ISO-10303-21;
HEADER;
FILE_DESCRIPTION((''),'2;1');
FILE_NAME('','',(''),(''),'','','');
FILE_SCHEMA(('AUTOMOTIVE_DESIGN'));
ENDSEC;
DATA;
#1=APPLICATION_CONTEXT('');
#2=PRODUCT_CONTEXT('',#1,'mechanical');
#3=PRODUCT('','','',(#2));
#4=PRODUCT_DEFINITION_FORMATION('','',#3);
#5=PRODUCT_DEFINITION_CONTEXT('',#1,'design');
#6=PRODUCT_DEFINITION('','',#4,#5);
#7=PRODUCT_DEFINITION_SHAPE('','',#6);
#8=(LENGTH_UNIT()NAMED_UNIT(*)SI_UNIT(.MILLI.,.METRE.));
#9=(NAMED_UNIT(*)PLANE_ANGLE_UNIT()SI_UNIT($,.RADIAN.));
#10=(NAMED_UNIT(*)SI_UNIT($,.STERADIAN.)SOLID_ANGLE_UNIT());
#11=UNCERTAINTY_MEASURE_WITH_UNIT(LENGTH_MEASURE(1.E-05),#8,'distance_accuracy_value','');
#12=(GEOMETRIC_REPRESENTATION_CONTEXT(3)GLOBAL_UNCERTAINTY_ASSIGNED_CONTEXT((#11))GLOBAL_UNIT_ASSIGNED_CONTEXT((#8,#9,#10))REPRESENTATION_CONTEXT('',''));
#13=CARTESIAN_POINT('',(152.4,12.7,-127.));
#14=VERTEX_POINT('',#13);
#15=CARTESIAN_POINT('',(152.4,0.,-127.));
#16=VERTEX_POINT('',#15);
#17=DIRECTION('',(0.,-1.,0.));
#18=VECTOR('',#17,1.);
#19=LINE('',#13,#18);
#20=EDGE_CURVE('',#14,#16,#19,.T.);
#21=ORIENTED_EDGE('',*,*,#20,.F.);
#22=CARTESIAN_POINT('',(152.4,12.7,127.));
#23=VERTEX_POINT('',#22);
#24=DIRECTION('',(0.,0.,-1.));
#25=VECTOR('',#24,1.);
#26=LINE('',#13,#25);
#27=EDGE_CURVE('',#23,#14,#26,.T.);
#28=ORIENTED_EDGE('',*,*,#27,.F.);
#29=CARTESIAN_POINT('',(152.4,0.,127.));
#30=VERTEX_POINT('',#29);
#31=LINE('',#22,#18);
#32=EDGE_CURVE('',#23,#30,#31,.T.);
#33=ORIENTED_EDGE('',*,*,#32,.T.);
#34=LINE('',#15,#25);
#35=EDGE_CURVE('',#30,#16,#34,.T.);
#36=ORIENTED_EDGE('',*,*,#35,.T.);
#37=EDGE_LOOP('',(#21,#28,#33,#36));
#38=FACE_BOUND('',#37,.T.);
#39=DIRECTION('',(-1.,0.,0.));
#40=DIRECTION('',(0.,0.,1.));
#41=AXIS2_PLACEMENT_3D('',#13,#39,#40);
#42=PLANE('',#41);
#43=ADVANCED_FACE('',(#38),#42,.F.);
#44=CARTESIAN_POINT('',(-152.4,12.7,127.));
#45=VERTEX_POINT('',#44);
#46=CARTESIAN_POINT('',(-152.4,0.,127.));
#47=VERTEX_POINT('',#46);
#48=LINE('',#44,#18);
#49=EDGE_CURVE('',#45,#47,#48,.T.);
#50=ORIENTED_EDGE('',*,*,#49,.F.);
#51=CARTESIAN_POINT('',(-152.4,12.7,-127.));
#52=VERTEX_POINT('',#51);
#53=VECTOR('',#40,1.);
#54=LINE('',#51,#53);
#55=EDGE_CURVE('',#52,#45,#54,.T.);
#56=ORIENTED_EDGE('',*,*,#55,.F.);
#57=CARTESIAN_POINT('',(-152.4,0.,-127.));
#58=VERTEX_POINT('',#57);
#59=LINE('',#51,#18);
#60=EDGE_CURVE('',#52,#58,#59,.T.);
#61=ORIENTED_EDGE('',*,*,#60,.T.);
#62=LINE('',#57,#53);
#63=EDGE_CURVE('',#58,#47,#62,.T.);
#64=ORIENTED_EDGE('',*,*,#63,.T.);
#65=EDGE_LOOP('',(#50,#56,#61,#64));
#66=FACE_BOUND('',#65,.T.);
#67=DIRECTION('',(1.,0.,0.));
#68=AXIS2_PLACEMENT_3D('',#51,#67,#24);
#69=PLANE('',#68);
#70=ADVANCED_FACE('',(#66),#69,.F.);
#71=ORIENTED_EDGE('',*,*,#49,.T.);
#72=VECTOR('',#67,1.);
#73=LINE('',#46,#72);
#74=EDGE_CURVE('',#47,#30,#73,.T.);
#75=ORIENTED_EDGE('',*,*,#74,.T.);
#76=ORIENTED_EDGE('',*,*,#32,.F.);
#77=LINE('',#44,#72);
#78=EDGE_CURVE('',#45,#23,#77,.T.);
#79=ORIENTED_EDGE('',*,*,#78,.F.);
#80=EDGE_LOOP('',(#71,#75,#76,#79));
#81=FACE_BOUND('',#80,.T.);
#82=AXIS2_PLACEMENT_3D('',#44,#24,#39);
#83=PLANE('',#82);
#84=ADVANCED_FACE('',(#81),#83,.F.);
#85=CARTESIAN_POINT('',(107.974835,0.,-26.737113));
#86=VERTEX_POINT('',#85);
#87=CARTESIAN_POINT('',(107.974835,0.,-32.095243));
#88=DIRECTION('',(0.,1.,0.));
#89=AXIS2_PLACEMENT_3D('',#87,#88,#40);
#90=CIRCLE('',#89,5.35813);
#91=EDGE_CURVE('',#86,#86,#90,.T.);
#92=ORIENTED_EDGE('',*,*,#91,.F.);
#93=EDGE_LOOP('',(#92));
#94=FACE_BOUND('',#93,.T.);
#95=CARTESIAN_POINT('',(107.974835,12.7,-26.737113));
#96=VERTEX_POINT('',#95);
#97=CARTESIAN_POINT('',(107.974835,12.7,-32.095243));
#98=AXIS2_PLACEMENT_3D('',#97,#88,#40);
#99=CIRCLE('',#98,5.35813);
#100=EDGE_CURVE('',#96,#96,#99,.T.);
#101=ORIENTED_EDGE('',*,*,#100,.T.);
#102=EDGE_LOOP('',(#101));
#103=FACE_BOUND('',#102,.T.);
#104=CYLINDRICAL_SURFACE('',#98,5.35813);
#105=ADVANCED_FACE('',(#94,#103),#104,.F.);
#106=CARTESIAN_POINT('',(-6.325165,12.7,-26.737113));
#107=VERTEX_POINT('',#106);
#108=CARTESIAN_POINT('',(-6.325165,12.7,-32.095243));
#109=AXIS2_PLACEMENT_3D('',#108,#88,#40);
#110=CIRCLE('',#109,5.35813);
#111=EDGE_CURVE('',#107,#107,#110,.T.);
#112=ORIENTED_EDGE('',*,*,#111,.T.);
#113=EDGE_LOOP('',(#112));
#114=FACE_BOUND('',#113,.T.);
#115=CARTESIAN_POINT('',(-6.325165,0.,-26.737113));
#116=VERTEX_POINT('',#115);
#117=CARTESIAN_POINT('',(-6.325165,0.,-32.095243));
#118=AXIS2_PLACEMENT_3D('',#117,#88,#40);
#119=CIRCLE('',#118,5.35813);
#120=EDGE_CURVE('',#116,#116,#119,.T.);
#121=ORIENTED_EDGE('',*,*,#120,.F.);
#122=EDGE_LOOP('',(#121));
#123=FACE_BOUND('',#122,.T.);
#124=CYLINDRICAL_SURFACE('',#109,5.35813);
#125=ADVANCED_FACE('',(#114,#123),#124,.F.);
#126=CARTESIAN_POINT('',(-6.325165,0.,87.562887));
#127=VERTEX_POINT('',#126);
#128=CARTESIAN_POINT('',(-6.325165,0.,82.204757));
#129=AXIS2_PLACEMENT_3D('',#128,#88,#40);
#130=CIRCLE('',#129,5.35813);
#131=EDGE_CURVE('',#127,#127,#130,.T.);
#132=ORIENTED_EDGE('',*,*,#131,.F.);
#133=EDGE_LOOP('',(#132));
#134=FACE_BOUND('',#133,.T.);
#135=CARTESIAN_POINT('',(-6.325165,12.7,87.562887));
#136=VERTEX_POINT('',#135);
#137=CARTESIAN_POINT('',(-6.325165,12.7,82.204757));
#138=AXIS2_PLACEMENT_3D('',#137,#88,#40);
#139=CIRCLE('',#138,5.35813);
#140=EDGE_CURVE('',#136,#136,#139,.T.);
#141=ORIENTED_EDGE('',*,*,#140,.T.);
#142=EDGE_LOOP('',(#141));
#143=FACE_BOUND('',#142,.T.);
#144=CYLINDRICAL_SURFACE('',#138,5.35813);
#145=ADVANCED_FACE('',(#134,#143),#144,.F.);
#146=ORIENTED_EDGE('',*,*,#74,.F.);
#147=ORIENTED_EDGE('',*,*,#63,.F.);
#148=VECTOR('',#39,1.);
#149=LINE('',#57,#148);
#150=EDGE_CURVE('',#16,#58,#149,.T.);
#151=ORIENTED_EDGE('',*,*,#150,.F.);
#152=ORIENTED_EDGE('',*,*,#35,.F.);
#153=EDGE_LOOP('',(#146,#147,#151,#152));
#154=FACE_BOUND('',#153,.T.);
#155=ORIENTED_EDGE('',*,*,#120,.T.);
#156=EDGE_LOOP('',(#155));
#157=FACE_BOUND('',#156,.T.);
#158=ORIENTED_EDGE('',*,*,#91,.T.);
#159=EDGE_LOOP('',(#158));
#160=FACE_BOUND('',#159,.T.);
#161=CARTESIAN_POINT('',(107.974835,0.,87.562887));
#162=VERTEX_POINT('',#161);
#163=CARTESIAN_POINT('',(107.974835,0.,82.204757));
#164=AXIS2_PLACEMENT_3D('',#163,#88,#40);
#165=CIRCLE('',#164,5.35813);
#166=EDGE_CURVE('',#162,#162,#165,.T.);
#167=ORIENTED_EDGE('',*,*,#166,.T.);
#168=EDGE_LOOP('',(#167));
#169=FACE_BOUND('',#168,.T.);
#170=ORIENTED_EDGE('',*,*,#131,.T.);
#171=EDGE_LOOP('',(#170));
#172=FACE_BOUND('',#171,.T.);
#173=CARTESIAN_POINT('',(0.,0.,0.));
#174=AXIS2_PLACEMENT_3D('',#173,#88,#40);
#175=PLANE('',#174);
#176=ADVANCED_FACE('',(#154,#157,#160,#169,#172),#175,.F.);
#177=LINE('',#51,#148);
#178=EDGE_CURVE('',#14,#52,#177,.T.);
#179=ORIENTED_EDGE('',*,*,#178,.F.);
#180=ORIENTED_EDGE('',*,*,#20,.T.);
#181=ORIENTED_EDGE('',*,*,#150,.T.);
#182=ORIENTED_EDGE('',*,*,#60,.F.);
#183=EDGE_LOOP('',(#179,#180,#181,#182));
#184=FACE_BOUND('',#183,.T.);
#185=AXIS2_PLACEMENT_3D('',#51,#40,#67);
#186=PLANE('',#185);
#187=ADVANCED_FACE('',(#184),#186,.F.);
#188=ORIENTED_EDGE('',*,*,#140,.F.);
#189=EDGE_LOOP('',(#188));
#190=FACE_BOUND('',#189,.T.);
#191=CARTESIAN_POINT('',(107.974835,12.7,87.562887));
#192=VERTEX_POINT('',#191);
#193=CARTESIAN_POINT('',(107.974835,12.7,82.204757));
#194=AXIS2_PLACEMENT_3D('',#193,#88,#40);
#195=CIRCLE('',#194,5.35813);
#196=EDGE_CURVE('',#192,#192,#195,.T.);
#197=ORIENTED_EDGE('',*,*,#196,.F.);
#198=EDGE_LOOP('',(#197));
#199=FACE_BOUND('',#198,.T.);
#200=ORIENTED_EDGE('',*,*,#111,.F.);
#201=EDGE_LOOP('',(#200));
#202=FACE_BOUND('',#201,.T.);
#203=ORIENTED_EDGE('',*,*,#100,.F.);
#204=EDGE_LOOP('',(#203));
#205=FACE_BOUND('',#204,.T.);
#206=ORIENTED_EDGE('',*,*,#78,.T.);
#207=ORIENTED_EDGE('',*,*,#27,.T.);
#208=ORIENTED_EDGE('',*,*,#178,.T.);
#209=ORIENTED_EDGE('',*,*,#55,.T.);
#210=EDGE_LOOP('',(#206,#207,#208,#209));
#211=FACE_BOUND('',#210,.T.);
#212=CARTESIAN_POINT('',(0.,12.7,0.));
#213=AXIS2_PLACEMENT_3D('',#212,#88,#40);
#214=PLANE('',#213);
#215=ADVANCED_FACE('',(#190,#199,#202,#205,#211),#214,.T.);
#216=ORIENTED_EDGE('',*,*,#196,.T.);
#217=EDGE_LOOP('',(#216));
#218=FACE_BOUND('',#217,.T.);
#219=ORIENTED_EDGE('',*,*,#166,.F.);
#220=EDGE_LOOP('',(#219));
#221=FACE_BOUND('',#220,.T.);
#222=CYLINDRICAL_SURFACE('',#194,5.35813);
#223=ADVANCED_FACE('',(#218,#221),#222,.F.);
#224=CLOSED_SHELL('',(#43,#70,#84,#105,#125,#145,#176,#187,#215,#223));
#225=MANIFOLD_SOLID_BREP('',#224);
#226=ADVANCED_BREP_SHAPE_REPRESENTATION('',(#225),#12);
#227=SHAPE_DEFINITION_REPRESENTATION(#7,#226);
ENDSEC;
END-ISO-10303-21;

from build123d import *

# Parameters (mm, degrees)
SKETCH1_W               = 304.8
SKETCH1_H               = 254
BOSS_EXTRUDE1_DEPTH     = 12.7
F_1_2_13_TAPPED_HOLE1_D = 10.71626


with BuildPart() as part:
    # Sketch1 → Boss-Extrude1 (new body)
    with BuildSketch(Plane(origin=(0, 0, 0), x_dir=(1, 0, 0), z_dir=(0, 1, 0))):
        Rectangle(SKETCH1_W, SKETCH1_H)
    extrude(amount=BOSS_EXTRUDE1_DEPTH)

    # 1/2-13 Tapped Hole1 (through all)
    with Locations(Plane(origin=(0, 12.7, 0), x_dir=(1, 0, 0), z_dir=(0, 1, 0))):
        with Locations((-6.325164518, 32.09524282), (107.974835482, 32.09524282), (107.974835482, -82.20475718), (-6.325164518, -82.20475718)):
            Hole(F_1_2_13_TAPPED_HOLE1_D / 2)


solid = part.part
